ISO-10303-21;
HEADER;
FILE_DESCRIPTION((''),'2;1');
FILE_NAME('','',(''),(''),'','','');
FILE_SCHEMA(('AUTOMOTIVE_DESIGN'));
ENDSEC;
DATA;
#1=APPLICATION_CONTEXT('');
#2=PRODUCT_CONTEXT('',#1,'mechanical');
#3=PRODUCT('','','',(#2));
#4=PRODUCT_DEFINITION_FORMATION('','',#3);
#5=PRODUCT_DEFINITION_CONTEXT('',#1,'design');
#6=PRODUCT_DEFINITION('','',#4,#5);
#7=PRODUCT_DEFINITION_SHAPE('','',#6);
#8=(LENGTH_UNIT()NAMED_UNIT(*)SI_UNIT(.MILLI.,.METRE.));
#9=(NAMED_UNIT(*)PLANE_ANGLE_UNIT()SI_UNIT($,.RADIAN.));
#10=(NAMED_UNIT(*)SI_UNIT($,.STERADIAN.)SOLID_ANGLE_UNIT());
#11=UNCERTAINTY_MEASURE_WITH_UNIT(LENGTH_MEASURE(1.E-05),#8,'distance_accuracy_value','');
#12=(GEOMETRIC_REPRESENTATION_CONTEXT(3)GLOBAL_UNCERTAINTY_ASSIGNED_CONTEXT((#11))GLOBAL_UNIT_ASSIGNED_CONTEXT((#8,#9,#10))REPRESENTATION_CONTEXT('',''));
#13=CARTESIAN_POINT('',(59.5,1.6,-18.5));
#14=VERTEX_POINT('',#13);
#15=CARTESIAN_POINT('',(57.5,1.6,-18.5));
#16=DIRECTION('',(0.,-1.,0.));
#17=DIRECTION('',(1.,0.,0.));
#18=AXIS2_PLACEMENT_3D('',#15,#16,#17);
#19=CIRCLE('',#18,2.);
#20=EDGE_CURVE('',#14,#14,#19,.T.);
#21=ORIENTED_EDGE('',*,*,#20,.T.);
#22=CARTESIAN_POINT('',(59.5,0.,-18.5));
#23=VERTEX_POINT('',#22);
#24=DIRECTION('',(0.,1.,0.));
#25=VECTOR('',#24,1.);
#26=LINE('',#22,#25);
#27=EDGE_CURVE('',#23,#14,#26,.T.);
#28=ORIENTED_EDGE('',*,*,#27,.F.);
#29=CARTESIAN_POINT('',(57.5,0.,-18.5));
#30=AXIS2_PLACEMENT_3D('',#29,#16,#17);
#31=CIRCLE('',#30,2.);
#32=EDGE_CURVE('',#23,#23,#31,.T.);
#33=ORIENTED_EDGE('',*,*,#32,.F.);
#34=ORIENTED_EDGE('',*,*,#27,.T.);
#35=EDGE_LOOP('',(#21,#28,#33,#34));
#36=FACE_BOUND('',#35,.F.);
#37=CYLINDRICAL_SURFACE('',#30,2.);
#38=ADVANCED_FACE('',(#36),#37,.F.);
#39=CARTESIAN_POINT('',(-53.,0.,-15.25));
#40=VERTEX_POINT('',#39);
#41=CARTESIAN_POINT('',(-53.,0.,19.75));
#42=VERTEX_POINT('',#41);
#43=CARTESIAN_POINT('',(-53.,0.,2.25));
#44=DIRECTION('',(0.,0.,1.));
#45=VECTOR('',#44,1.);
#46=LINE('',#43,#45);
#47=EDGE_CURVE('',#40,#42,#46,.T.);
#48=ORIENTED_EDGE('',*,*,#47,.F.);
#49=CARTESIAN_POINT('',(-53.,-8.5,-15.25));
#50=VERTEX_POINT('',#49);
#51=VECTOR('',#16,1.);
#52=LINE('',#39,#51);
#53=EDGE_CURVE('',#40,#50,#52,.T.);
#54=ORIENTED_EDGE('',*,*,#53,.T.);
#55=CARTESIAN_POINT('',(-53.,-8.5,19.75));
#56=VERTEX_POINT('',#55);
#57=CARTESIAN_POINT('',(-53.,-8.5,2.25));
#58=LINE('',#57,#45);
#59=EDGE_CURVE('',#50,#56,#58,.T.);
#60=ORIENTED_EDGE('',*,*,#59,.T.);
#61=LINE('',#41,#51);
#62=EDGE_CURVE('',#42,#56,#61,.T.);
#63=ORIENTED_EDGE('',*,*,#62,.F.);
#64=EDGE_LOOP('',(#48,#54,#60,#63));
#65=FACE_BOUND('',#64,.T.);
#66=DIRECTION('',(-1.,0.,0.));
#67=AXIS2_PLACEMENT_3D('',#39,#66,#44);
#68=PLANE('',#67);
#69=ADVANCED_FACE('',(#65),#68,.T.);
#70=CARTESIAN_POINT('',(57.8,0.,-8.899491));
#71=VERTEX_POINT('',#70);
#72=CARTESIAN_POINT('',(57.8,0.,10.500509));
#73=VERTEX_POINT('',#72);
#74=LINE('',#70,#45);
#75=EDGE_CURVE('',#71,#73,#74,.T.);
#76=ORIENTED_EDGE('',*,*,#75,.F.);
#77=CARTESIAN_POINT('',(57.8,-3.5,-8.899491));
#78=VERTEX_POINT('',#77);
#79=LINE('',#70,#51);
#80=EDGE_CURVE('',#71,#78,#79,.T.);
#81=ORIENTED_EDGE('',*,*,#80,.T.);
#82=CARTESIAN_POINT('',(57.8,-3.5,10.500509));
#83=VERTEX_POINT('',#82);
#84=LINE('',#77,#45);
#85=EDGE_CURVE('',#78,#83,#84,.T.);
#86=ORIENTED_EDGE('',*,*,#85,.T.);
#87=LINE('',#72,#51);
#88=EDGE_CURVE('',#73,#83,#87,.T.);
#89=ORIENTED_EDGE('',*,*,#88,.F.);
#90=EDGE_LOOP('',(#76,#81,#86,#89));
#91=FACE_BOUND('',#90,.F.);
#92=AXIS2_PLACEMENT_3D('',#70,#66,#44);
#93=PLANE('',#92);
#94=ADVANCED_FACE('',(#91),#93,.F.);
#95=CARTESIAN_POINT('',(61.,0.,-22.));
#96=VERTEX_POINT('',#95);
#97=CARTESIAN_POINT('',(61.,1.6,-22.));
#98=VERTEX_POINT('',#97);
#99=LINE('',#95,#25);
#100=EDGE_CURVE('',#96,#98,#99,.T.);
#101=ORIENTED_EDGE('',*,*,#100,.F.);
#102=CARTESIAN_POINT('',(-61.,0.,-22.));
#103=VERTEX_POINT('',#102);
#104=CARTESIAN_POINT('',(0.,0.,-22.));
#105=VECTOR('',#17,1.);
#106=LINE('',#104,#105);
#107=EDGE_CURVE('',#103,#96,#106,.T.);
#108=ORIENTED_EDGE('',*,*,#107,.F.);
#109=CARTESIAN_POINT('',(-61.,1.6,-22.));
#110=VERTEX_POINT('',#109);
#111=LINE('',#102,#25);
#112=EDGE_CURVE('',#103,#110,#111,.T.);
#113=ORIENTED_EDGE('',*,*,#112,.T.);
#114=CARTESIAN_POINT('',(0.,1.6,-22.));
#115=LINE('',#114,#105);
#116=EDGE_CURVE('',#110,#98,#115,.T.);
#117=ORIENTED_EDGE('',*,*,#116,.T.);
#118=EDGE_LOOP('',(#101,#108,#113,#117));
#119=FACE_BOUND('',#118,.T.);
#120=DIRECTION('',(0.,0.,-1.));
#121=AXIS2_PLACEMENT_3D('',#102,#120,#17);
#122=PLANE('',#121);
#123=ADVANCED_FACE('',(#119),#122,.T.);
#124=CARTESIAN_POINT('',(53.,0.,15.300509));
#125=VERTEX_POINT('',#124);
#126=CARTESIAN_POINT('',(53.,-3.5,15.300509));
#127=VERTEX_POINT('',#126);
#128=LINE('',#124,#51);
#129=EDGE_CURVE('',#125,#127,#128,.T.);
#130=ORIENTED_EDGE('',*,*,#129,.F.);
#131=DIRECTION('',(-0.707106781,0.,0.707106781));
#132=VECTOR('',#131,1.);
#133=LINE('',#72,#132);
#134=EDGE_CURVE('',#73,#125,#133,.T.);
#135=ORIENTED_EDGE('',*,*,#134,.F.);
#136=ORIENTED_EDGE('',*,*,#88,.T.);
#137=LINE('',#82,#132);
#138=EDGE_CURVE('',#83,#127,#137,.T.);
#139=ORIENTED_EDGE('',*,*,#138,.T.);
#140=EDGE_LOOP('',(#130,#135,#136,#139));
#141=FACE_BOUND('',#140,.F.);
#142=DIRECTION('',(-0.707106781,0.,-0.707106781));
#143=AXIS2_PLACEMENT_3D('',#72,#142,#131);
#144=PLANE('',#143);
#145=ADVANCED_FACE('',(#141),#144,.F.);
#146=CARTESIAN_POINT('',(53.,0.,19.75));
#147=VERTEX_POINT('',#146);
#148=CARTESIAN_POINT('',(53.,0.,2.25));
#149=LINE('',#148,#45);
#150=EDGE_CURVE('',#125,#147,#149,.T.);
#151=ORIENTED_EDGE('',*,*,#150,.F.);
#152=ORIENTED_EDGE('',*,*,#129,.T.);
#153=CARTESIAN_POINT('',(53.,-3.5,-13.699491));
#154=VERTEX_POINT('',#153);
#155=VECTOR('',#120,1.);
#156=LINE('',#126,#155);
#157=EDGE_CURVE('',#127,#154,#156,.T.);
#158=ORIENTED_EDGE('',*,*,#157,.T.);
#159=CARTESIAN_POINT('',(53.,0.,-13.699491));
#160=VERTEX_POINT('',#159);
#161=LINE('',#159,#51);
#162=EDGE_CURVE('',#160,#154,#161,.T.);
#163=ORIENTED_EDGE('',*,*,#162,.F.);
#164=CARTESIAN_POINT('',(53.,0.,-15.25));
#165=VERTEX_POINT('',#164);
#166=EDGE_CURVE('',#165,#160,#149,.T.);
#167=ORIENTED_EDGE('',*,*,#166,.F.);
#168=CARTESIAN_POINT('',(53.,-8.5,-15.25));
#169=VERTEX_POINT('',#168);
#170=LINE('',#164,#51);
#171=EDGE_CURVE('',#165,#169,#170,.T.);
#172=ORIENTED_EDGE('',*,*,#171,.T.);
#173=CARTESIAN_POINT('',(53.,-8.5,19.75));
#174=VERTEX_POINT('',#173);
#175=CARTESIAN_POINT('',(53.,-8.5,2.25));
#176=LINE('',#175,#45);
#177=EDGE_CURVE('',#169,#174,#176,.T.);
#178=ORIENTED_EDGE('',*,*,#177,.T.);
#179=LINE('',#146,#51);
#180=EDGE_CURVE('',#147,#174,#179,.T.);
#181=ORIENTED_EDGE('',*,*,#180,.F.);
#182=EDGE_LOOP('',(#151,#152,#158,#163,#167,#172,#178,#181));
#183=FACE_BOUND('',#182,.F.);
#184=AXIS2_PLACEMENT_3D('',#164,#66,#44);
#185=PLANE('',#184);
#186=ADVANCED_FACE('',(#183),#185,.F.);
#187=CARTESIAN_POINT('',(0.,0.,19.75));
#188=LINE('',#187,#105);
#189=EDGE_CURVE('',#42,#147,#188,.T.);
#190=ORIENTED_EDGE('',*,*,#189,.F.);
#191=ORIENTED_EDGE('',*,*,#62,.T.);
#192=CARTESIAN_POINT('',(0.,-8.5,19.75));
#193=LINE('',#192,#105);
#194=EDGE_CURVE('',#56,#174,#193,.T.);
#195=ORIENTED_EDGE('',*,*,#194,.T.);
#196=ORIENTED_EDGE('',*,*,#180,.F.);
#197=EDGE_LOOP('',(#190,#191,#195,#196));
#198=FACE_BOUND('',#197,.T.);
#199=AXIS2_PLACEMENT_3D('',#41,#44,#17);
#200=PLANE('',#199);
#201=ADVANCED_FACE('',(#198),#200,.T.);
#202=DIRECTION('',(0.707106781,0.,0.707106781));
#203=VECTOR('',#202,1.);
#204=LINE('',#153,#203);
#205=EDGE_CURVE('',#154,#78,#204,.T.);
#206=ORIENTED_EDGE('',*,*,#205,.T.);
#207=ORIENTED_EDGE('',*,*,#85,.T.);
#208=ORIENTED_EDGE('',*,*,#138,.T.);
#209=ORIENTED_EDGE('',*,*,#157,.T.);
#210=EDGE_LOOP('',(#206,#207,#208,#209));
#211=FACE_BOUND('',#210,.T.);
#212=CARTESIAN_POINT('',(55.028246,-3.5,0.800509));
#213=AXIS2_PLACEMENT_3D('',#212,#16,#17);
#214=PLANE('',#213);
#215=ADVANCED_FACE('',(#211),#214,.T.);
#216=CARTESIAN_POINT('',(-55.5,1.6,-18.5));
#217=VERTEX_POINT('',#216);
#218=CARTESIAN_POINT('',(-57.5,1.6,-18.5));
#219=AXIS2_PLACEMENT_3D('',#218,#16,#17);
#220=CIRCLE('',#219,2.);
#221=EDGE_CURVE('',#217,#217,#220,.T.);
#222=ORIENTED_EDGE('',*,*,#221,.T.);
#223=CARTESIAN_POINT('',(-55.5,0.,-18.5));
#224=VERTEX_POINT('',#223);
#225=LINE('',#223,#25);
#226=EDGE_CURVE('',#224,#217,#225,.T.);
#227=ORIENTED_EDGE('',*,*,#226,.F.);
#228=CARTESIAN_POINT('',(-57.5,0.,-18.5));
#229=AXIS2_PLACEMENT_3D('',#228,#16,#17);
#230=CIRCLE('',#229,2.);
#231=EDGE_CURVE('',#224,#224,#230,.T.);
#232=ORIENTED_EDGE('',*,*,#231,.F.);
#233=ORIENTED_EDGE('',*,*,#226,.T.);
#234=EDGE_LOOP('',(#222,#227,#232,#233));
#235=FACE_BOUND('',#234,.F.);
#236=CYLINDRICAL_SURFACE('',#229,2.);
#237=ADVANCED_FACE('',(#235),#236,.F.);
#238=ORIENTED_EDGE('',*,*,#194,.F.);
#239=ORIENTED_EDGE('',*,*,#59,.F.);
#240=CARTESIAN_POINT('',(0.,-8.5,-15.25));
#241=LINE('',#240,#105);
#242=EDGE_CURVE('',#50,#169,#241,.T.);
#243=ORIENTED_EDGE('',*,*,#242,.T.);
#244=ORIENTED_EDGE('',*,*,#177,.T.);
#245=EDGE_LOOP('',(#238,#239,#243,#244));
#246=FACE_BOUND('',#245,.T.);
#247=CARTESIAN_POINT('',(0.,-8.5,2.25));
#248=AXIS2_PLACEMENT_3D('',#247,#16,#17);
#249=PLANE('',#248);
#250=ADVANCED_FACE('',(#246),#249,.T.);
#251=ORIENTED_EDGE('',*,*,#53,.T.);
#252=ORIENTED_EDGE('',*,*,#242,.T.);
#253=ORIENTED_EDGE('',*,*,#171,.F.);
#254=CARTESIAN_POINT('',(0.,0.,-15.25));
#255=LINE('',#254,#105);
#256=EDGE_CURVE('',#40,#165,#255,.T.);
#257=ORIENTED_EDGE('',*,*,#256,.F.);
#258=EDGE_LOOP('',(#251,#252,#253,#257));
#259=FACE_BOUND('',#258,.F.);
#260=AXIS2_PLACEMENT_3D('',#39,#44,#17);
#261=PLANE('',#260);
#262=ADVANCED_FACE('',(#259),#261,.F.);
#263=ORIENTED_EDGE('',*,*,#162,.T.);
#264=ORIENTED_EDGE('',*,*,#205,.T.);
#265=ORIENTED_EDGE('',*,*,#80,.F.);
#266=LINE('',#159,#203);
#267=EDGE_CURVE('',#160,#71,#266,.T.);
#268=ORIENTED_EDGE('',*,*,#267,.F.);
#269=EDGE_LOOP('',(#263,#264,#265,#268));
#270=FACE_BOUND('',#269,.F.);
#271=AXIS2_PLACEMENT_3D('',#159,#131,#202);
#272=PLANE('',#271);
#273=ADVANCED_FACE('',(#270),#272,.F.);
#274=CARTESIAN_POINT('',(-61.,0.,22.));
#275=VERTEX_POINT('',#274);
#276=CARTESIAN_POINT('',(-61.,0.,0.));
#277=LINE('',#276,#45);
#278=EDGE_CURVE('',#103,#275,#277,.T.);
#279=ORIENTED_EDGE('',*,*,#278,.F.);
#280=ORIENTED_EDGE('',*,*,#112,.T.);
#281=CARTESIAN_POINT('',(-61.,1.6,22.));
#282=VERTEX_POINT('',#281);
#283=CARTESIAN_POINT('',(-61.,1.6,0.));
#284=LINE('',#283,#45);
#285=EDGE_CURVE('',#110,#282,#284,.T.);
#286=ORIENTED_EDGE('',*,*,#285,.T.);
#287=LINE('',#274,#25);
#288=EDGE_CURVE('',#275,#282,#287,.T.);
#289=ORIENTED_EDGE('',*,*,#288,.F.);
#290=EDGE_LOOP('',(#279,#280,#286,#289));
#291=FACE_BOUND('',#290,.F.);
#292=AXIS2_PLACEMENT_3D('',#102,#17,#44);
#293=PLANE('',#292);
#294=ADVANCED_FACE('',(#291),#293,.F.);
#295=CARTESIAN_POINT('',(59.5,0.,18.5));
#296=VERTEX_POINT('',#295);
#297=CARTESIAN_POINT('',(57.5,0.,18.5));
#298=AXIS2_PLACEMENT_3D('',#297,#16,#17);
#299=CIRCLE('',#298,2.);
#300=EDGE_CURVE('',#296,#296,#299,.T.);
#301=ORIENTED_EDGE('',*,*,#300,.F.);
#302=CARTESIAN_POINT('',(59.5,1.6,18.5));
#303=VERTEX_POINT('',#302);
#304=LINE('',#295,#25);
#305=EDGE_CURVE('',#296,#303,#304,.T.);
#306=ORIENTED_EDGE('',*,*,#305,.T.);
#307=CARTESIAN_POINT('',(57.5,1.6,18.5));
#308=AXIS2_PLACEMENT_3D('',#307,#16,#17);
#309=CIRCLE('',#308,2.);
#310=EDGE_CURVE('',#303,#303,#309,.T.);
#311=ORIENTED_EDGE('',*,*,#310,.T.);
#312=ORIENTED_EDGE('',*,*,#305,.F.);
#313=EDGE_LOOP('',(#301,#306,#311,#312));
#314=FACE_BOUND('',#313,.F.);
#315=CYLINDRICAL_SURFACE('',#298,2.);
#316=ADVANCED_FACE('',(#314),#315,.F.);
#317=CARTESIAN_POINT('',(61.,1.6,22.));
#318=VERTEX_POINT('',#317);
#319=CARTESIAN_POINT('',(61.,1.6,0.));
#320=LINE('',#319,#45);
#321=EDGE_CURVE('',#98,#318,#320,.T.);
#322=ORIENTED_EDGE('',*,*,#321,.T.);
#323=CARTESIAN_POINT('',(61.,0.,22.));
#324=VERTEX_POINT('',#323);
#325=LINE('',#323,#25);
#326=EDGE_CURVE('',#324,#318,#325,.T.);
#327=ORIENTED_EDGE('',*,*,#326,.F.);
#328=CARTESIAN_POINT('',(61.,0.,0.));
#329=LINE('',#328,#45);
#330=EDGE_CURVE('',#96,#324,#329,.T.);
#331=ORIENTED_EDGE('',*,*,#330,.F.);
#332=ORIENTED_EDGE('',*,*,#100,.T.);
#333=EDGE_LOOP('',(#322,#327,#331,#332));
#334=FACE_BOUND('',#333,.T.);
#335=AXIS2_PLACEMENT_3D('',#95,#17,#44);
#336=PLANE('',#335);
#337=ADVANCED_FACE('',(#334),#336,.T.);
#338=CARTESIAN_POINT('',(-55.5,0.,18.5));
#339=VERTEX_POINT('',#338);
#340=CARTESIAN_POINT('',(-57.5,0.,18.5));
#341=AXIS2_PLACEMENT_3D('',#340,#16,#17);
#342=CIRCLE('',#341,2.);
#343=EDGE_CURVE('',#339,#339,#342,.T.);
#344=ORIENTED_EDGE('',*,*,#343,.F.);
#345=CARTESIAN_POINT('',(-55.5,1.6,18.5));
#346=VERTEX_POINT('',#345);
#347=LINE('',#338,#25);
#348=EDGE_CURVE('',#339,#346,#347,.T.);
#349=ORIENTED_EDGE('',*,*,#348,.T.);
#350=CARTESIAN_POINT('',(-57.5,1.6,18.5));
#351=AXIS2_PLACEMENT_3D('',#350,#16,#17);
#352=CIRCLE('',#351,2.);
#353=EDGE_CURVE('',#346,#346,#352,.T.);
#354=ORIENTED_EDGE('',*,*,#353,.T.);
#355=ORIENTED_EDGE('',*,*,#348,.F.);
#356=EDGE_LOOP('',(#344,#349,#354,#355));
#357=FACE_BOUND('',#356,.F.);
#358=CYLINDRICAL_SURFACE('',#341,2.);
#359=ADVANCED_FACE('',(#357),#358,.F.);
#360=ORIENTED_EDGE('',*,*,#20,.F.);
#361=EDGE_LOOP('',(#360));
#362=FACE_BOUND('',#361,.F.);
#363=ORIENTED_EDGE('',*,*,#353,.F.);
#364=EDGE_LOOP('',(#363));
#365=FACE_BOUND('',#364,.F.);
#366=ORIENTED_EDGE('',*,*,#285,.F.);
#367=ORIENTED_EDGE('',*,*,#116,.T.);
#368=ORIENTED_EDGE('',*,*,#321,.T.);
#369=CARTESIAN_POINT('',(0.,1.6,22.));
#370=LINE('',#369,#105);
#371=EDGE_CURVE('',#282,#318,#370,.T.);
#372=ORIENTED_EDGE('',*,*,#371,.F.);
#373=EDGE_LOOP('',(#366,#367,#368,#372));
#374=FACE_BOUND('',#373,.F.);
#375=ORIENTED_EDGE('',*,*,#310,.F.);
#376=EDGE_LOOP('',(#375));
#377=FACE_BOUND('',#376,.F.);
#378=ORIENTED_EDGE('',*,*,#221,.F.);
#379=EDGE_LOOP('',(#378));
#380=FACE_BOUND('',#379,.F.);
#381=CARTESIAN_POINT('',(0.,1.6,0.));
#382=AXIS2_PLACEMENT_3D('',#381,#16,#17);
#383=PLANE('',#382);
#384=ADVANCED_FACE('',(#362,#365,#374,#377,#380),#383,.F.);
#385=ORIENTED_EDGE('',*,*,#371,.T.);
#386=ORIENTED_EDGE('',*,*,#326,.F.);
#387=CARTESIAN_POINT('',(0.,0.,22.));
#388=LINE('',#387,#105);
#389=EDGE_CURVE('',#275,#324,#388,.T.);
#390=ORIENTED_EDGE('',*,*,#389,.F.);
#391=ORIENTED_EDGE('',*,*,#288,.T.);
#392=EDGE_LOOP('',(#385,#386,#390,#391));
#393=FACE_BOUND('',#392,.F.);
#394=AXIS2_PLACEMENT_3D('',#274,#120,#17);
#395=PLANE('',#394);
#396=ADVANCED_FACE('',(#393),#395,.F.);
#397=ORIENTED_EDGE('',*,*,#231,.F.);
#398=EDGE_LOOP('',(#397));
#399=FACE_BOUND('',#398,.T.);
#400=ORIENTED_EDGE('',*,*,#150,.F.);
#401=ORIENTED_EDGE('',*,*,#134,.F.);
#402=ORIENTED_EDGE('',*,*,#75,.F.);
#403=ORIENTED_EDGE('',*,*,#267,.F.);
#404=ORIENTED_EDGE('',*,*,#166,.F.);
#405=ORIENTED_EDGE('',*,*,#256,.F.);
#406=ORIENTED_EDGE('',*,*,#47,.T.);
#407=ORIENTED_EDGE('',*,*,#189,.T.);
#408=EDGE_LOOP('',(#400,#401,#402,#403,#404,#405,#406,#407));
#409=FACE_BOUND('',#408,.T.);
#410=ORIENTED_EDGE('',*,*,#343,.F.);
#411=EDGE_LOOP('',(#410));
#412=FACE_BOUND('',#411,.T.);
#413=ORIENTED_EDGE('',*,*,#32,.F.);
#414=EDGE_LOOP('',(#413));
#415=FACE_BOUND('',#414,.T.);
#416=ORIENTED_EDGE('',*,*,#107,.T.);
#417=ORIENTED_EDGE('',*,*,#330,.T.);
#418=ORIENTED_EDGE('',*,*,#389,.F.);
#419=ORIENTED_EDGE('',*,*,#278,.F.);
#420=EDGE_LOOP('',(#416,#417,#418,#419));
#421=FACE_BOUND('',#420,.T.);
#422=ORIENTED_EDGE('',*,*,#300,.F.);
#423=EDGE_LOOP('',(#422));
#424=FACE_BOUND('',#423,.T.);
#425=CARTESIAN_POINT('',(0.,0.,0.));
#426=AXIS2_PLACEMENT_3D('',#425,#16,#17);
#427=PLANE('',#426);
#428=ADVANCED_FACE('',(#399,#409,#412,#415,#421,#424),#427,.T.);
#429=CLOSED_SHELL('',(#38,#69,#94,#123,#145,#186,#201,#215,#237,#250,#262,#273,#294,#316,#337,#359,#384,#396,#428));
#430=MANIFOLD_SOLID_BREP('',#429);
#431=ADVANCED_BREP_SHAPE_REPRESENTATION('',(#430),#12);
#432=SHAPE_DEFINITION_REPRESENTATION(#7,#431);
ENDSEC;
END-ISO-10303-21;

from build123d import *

# Parameters (mm, degrees)
F0_W     = 122
F0_H     = 44
F0_R     = 2
F1_DEPTH = 1.6
F2_W     = 106
F2_H     = 35
F3_DEPTH = 8.5
F5_DEPTH = 3.5


with BuildPart() as f1:
    # F0 (on Front) → F1 (new body)
    with BuildSketch(Plane.XZ):
        Rectangle(F0_W, F0_H)
        with Locations((-57.5, -18.5)):
            Circle(F0_R, mode=Mode.SUBTRACT)
        with Locations((57.5, -18.5)):
            Circle(F0_R, mode=Mode.SUBTRACT)
        with Locations((-57.5, 18.5)):
            Circle(F0_R, mode=Mode.SUBTRACT)
        with Locations((57.5, 18.5)):
            Circle(F0_R, mode=Mode.SUBTRACT)
    extrude(amount=-F1_DEPTH)

    # F2 (on Front) → F3 (join)
    with BuildSketch(Plane.XZ):
        with Locations((0, 2.25)):
            Rectangle(F2_W, F2_H)
    extrude(amount=F3_DEPTH)

    # F4 (on Front) → F5 (join)
    with BuildSketch(Plane.XZ):
        Polygon((53, 15.300509), (53, -13.699491), (57.8, -8.899491), (57.8, 10.500509), align=None)
    extrude(amount=F5_DEPTH)


solid = f1.part
